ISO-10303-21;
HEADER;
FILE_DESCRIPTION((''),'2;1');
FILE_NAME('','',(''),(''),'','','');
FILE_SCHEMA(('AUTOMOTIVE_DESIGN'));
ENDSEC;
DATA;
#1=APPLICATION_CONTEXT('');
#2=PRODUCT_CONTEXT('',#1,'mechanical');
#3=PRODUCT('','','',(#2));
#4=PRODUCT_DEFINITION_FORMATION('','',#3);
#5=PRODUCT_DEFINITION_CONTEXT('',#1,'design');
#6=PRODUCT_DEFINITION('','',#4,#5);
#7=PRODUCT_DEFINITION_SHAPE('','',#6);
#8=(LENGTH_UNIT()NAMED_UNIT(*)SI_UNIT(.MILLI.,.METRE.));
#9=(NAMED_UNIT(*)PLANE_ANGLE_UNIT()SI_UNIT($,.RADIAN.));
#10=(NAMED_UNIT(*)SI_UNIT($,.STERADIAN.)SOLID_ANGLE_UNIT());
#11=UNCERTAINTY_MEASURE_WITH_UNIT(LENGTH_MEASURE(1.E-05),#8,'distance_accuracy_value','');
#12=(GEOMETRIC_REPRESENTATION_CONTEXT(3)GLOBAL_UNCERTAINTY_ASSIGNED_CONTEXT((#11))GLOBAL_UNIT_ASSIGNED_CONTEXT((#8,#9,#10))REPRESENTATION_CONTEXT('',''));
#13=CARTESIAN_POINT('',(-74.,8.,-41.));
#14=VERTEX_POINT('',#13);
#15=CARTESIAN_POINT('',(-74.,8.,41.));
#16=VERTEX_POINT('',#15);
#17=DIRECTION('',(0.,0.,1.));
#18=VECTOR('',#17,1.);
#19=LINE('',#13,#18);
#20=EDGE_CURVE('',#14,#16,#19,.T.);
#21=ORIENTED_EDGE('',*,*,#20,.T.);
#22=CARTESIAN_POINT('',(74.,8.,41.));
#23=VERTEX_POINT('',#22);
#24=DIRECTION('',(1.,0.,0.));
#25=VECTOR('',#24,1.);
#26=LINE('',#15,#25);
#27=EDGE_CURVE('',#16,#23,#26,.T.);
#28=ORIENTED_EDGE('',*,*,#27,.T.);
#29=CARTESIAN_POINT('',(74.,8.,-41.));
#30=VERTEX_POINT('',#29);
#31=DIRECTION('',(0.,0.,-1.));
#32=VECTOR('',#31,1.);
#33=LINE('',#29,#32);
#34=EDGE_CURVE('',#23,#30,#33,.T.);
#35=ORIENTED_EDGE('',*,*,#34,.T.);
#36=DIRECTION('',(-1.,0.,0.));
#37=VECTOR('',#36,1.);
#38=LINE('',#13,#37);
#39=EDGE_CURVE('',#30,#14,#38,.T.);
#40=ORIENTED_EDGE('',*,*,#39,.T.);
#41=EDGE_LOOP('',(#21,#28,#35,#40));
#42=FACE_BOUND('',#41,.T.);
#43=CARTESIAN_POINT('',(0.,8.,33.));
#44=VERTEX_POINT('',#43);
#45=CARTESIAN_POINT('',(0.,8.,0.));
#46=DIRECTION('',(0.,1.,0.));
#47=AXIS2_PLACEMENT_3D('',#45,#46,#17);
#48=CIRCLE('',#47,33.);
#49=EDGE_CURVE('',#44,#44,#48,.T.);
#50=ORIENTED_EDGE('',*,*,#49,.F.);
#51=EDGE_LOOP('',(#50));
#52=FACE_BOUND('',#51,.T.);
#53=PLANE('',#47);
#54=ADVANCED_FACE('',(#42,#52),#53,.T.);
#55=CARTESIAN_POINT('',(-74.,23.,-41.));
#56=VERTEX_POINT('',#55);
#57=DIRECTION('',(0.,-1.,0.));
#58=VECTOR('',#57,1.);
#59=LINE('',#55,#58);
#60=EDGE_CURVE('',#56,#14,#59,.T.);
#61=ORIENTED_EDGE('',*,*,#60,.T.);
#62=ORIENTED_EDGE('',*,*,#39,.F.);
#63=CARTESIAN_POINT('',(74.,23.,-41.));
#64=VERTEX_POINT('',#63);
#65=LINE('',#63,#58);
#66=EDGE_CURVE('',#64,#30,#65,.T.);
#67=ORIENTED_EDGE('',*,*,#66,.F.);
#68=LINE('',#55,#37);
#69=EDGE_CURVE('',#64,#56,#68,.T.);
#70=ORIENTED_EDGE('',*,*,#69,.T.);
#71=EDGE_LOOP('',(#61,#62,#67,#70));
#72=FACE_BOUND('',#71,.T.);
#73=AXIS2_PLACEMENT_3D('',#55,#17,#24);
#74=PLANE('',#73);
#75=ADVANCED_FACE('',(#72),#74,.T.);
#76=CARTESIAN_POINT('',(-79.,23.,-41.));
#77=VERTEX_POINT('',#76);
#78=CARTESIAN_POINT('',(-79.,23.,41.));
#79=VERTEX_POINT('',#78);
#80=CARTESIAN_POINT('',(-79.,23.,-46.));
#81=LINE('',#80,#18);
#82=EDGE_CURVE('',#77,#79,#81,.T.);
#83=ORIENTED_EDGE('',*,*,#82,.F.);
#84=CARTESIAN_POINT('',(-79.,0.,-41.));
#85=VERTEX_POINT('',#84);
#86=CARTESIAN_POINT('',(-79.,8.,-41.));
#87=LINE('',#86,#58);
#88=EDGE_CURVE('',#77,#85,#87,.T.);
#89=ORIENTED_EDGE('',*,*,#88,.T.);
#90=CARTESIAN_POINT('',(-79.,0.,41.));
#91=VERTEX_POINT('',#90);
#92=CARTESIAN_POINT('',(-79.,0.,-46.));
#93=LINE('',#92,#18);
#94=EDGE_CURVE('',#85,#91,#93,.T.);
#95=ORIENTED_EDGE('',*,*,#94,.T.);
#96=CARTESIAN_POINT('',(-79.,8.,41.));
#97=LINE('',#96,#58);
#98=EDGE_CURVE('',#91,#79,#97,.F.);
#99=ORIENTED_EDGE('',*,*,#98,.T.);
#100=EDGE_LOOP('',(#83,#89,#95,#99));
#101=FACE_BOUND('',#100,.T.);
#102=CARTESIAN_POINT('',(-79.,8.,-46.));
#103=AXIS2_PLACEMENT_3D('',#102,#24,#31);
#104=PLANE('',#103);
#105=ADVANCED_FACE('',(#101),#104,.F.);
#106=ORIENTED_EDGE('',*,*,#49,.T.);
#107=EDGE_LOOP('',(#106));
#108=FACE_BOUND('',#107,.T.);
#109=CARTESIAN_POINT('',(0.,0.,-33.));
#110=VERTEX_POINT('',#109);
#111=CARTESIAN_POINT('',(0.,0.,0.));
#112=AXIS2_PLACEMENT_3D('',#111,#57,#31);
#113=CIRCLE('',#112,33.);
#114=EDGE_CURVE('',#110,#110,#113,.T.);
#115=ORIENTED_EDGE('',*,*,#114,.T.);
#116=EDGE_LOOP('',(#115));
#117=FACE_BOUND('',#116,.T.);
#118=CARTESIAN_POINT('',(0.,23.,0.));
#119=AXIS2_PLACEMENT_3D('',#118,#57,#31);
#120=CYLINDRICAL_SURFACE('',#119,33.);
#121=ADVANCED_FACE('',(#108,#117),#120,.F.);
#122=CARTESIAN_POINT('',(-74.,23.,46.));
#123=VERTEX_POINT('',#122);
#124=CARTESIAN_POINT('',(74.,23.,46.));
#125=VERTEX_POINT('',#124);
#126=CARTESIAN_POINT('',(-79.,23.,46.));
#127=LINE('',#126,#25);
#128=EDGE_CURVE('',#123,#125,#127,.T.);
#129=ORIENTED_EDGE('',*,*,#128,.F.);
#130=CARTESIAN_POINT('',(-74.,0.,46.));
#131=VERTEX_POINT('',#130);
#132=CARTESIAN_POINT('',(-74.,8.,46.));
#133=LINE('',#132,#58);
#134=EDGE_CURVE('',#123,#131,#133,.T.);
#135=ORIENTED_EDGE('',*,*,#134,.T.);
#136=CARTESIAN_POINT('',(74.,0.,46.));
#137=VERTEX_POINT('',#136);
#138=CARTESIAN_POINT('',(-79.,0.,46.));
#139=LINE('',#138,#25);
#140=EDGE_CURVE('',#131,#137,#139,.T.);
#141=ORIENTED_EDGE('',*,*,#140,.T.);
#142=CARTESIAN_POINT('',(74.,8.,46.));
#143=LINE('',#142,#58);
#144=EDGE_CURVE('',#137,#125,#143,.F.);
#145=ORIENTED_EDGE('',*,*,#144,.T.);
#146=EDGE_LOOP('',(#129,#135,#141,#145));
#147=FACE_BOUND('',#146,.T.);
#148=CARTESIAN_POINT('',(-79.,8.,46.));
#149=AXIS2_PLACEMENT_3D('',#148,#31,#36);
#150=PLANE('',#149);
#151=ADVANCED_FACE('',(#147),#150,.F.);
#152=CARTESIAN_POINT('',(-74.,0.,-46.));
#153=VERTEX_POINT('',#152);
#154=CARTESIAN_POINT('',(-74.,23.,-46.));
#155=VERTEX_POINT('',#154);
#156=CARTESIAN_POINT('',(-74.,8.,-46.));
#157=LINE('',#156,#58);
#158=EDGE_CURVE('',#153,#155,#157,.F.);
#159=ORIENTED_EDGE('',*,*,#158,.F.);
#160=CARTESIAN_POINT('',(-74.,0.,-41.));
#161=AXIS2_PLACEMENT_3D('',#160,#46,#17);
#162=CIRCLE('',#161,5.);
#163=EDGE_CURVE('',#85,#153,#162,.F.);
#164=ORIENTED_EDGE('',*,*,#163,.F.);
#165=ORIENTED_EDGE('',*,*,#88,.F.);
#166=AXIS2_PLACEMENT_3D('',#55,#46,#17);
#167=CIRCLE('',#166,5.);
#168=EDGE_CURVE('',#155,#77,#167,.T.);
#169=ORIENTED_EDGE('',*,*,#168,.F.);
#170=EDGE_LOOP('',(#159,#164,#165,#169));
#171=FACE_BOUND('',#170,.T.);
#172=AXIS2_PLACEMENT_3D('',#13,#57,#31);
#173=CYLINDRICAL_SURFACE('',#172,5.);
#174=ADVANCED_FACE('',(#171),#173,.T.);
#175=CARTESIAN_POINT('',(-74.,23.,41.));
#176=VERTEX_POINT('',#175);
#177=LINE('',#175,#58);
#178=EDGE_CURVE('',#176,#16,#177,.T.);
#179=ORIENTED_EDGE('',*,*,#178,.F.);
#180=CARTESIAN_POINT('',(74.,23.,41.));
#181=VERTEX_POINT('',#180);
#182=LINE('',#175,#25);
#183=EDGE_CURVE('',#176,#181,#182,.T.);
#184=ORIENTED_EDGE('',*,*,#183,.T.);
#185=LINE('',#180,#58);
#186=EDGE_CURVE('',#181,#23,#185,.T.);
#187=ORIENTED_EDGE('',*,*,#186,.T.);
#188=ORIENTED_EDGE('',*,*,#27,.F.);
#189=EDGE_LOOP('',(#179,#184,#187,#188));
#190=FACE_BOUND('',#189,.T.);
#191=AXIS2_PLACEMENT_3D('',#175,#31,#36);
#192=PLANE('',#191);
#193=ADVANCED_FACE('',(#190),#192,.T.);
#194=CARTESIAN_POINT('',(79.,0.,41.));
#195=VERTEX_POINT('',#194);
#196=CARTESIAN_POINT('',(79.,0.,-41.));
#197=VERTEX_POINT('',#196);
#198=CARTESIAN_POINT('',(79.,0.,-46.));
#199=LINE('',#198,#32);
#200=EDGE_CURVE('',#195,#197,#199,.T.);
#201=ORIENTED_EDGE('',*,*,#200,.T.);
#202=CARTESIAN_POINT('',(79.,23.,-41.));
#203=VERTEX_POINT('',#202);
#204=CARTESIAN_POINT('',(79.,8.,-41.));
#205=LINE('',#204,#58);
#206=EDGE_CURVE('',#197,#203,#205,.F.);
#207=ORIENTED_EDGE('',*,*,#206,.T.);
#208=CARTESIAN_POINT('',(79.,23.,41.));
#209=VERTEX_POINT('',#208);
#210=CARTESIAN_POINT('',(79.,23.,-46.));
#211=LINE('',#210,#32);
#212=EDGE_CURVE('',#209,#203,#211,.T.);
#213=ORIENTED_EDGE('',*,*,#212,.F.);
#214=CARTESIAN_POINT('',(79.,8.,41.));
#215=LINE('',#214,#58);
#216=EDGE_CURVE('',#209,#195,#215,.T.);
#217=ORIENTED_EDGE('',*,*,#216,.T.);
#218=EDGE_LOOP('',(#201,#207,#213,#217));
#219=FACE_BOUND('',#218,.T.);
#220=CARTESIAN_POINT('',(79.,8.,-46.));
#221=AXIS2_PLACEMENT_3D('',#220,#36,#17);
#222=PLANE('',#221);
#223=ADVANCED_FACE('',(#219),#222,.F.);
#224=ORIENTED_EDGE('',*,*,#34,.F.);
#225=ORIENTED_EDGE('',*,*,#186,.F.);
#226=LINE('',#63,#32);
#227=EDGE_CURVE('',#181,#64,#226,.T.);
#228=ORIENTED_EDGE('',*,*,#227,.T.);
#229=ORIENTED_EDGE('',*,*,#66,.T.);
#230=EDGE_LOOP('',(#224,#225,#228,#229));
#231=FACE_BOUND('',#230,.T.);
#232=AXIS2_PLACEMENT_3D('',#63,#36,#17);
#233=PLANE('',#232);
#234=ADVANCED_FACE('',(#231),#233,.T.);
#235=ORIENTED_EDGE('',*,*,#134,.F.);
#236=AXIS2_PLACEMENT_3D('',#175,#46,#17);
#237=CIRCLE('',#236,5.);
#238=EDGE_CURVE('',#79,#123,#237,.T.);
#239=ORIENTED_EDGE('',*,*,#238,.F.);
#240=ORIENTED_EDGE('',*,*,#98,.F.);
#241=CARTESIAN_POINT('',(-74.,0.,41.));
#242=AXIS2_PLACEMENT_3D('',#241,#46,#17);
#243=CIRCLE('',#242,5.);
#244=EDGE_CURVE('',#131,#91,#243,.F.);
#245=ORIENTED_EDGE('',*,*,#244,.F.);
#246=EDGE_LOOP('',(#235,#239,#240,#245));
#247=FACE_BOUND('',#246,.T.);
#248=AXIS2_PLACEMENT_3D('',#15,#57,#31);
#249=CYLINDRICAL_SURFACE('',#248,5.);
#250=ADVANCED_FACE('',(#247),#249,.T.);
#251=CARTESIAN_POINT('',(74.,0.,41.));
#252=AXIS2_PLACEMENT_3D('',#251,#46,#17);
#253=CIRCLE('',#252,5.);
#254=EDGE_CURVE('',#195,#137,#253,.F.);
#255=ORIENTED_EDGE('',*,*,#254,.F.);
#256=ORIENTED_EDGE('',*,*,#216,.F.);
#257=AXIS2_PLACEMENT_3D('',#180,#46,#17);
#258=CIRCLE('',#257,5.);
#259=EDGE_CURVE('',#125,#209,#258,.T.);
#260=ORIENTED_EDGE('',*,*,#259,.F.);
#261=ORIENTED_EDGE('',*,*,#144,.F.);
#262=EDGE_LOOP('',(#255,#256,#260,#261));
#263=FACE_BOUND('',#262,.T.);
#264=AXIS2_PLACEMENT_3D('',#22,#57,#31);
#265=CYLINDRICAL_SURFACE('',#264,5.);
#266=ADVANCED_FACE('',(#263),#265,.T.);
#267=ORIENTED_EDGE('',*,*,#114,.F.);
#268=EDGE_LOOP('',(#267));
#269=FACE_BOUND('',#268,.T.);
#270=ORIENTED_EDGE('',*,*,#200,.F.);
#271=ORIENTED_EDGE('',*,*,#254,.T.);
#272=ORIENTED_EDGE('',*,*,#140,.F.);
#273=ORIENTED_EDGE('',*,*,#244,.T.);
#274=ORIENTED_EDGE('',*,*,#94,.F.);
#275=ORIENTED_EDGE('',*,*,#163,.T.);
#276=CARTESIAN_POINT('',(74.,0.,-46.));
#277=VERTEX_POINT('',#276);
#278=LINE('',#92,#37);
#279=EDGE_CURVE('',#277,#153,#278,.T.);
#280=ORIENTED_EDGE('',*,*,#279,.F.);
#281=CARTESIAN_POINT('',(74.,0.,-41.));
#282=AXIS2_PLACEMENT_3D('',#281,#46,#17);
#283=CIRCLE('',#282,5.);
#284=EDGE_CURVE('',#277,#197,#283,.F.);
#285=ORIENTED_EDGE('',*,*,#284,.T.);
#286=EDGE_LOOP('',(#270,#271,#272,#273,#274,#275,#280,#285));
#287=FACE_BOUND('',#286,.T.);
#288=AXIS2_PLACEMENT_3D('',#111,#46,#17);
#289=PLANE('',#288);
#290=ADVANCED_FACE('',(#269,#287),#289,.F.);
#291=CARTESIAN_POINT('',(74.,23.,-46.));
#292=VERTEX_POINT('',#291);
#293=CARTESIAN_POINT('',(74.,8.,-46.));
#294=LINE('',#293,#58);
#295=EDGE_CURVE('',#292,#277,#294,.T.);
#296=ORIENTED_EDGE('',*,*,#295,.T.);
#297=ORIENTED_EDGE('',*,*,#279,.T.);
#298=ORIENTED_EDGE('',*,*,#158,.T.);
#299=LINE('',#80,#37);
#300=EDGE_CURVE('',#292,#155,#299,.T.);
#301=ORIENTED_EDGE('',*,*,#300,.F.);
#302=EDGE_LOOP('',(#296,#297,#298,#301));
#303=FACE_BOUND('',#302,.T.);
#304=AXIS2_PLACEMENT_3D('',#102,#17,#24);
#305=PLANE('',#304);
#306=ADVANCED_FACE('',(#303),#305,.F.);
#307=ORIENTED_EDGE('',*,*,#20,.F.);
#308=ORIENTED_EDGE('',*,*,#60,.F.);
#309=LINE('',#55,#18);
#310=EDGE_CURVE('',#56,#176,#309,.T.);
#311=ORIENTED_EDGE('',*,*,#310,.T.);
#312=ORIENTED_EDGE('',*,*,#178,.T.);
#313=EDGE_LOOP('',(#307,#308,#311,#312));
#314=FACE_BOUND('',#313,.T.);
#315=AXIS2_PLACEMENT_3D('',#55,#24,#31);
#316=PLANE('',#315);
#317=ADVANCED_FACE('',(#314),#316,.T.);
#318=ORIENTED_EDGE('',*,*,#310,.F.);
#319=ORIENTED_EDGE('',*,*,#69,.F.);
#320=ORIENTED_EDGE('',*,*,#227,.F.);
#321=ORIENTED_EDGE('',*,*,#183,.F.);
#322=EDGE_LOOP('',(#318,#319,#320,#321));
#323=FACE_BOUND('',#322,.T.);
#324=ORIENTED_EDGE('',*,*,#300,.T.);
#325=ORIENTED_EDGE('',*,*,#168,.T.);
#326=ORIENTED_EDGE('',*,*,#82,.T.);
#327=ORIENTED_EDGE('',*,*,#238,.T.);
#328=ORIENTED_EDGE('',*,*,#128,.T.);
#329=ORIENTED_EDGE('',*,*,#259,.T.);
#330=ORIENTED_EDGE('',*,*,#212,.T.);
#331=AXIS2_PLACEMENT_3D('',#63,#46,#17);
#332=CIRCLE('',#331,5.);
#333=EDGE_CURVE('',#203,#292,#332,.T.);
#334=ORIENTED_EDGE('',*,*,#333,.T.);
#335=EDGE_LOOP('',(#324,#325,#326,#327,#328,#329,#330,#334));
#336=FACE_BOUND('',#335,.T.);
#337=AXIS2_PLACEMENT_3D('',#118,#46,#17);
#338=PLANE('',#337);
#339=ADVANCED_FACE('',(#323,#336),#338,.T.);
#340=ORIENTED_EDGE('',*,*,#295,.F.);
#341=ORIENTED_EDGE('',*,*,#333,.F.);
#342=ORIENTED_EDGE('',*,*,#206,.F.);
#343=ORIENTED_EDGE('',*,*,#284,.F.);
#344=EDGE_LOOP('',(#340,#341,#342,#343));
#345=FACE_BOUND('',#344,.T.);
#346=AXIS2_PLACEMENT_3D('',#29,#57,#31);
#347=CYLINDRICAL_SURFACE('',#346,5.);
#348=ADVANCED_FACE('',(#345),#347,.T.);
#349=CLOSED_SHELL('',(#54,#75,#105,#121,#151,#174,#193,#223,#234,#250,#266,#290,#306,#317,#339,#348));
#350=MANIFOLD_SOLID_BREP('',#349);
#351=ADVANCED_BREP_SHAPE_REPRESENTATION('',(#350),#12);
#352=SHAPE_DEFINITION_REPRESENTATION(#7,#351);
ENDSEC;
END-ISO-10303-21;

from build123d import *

# Parameters (mm, degrees)
SKETCH1_W           = 158
SKETCH1_H           = 92
BOSS_EXTRUDE1_DEPTH = 8
SKETCH2_W           = 158
SKETCH2_H           = 92
SKETCH2_W_2         = 148
SKETCH2_H_2         = 82
BOSS_EXTRUDE2_DEPTH = 15
SKETCH3_R           = 33
CUT_EXTRUDE1_DEPTH  = 95.265582266
FILLET1_R           = 5
FILLET2_R           = 5


with BuildPart() as part:
    # Sketch1 → Boss-Extrude1 (new body)
    with BuildSketch(Plane(origin=(0, 0, 0), x_dir=(1, 0, 0), z_dir=(0, 1, 0))):
        Rectangle(SKETCH1_W, SKETCH1_H)
    extrude(amount=BOSS_EXTRUDE1_DEPTH)

    # Sketch2 → Boss-Extrude2 (add)
    with BuildSketch(Plane(origin=(0, 8, 0), x_dir=(1, 0, 0), z_dir=(0, 1, 0))):
        Rectangle(SKETCH2_W, SKETCH2_H)
        Rectangle(SKETCH2_W_2, SKETCH2_H_2, mode=Mode.SUBTRACT)
    extrude(amount=BOSS_EXTRUDE2_DEPTH)

    # Sketch3 → Cut-Extrude1 (cut, through all)
    with BuildSketch(Plane.XZ):
        with Locations(Location((0, 0, 0), (0, 0, 270))):
            Circle(SKETCH3_R)
    extrude(amount=-CUT_EXTRUDE1_DEPTH, mode=Mode.SUBTRACT)

    # Fillet1
    fillet1_edges = [part.edges().sort_by_distance(p)[0] for p in [
        (-79, 11.5, 46),
    ]]
    fillet(fillet1_edges, radius=FILLET1_R)

    # Fillet2
    fillet2_edges = [part.edges().sort_by_distance(p)[0] for p in [
        (79, 11.5, 46),
        (-79, 11.5, -46),
        (79, 11.5, -46),
    ]]
    fillet(fillet2_edges, radius=FILLET2_R)


solid = part.part
